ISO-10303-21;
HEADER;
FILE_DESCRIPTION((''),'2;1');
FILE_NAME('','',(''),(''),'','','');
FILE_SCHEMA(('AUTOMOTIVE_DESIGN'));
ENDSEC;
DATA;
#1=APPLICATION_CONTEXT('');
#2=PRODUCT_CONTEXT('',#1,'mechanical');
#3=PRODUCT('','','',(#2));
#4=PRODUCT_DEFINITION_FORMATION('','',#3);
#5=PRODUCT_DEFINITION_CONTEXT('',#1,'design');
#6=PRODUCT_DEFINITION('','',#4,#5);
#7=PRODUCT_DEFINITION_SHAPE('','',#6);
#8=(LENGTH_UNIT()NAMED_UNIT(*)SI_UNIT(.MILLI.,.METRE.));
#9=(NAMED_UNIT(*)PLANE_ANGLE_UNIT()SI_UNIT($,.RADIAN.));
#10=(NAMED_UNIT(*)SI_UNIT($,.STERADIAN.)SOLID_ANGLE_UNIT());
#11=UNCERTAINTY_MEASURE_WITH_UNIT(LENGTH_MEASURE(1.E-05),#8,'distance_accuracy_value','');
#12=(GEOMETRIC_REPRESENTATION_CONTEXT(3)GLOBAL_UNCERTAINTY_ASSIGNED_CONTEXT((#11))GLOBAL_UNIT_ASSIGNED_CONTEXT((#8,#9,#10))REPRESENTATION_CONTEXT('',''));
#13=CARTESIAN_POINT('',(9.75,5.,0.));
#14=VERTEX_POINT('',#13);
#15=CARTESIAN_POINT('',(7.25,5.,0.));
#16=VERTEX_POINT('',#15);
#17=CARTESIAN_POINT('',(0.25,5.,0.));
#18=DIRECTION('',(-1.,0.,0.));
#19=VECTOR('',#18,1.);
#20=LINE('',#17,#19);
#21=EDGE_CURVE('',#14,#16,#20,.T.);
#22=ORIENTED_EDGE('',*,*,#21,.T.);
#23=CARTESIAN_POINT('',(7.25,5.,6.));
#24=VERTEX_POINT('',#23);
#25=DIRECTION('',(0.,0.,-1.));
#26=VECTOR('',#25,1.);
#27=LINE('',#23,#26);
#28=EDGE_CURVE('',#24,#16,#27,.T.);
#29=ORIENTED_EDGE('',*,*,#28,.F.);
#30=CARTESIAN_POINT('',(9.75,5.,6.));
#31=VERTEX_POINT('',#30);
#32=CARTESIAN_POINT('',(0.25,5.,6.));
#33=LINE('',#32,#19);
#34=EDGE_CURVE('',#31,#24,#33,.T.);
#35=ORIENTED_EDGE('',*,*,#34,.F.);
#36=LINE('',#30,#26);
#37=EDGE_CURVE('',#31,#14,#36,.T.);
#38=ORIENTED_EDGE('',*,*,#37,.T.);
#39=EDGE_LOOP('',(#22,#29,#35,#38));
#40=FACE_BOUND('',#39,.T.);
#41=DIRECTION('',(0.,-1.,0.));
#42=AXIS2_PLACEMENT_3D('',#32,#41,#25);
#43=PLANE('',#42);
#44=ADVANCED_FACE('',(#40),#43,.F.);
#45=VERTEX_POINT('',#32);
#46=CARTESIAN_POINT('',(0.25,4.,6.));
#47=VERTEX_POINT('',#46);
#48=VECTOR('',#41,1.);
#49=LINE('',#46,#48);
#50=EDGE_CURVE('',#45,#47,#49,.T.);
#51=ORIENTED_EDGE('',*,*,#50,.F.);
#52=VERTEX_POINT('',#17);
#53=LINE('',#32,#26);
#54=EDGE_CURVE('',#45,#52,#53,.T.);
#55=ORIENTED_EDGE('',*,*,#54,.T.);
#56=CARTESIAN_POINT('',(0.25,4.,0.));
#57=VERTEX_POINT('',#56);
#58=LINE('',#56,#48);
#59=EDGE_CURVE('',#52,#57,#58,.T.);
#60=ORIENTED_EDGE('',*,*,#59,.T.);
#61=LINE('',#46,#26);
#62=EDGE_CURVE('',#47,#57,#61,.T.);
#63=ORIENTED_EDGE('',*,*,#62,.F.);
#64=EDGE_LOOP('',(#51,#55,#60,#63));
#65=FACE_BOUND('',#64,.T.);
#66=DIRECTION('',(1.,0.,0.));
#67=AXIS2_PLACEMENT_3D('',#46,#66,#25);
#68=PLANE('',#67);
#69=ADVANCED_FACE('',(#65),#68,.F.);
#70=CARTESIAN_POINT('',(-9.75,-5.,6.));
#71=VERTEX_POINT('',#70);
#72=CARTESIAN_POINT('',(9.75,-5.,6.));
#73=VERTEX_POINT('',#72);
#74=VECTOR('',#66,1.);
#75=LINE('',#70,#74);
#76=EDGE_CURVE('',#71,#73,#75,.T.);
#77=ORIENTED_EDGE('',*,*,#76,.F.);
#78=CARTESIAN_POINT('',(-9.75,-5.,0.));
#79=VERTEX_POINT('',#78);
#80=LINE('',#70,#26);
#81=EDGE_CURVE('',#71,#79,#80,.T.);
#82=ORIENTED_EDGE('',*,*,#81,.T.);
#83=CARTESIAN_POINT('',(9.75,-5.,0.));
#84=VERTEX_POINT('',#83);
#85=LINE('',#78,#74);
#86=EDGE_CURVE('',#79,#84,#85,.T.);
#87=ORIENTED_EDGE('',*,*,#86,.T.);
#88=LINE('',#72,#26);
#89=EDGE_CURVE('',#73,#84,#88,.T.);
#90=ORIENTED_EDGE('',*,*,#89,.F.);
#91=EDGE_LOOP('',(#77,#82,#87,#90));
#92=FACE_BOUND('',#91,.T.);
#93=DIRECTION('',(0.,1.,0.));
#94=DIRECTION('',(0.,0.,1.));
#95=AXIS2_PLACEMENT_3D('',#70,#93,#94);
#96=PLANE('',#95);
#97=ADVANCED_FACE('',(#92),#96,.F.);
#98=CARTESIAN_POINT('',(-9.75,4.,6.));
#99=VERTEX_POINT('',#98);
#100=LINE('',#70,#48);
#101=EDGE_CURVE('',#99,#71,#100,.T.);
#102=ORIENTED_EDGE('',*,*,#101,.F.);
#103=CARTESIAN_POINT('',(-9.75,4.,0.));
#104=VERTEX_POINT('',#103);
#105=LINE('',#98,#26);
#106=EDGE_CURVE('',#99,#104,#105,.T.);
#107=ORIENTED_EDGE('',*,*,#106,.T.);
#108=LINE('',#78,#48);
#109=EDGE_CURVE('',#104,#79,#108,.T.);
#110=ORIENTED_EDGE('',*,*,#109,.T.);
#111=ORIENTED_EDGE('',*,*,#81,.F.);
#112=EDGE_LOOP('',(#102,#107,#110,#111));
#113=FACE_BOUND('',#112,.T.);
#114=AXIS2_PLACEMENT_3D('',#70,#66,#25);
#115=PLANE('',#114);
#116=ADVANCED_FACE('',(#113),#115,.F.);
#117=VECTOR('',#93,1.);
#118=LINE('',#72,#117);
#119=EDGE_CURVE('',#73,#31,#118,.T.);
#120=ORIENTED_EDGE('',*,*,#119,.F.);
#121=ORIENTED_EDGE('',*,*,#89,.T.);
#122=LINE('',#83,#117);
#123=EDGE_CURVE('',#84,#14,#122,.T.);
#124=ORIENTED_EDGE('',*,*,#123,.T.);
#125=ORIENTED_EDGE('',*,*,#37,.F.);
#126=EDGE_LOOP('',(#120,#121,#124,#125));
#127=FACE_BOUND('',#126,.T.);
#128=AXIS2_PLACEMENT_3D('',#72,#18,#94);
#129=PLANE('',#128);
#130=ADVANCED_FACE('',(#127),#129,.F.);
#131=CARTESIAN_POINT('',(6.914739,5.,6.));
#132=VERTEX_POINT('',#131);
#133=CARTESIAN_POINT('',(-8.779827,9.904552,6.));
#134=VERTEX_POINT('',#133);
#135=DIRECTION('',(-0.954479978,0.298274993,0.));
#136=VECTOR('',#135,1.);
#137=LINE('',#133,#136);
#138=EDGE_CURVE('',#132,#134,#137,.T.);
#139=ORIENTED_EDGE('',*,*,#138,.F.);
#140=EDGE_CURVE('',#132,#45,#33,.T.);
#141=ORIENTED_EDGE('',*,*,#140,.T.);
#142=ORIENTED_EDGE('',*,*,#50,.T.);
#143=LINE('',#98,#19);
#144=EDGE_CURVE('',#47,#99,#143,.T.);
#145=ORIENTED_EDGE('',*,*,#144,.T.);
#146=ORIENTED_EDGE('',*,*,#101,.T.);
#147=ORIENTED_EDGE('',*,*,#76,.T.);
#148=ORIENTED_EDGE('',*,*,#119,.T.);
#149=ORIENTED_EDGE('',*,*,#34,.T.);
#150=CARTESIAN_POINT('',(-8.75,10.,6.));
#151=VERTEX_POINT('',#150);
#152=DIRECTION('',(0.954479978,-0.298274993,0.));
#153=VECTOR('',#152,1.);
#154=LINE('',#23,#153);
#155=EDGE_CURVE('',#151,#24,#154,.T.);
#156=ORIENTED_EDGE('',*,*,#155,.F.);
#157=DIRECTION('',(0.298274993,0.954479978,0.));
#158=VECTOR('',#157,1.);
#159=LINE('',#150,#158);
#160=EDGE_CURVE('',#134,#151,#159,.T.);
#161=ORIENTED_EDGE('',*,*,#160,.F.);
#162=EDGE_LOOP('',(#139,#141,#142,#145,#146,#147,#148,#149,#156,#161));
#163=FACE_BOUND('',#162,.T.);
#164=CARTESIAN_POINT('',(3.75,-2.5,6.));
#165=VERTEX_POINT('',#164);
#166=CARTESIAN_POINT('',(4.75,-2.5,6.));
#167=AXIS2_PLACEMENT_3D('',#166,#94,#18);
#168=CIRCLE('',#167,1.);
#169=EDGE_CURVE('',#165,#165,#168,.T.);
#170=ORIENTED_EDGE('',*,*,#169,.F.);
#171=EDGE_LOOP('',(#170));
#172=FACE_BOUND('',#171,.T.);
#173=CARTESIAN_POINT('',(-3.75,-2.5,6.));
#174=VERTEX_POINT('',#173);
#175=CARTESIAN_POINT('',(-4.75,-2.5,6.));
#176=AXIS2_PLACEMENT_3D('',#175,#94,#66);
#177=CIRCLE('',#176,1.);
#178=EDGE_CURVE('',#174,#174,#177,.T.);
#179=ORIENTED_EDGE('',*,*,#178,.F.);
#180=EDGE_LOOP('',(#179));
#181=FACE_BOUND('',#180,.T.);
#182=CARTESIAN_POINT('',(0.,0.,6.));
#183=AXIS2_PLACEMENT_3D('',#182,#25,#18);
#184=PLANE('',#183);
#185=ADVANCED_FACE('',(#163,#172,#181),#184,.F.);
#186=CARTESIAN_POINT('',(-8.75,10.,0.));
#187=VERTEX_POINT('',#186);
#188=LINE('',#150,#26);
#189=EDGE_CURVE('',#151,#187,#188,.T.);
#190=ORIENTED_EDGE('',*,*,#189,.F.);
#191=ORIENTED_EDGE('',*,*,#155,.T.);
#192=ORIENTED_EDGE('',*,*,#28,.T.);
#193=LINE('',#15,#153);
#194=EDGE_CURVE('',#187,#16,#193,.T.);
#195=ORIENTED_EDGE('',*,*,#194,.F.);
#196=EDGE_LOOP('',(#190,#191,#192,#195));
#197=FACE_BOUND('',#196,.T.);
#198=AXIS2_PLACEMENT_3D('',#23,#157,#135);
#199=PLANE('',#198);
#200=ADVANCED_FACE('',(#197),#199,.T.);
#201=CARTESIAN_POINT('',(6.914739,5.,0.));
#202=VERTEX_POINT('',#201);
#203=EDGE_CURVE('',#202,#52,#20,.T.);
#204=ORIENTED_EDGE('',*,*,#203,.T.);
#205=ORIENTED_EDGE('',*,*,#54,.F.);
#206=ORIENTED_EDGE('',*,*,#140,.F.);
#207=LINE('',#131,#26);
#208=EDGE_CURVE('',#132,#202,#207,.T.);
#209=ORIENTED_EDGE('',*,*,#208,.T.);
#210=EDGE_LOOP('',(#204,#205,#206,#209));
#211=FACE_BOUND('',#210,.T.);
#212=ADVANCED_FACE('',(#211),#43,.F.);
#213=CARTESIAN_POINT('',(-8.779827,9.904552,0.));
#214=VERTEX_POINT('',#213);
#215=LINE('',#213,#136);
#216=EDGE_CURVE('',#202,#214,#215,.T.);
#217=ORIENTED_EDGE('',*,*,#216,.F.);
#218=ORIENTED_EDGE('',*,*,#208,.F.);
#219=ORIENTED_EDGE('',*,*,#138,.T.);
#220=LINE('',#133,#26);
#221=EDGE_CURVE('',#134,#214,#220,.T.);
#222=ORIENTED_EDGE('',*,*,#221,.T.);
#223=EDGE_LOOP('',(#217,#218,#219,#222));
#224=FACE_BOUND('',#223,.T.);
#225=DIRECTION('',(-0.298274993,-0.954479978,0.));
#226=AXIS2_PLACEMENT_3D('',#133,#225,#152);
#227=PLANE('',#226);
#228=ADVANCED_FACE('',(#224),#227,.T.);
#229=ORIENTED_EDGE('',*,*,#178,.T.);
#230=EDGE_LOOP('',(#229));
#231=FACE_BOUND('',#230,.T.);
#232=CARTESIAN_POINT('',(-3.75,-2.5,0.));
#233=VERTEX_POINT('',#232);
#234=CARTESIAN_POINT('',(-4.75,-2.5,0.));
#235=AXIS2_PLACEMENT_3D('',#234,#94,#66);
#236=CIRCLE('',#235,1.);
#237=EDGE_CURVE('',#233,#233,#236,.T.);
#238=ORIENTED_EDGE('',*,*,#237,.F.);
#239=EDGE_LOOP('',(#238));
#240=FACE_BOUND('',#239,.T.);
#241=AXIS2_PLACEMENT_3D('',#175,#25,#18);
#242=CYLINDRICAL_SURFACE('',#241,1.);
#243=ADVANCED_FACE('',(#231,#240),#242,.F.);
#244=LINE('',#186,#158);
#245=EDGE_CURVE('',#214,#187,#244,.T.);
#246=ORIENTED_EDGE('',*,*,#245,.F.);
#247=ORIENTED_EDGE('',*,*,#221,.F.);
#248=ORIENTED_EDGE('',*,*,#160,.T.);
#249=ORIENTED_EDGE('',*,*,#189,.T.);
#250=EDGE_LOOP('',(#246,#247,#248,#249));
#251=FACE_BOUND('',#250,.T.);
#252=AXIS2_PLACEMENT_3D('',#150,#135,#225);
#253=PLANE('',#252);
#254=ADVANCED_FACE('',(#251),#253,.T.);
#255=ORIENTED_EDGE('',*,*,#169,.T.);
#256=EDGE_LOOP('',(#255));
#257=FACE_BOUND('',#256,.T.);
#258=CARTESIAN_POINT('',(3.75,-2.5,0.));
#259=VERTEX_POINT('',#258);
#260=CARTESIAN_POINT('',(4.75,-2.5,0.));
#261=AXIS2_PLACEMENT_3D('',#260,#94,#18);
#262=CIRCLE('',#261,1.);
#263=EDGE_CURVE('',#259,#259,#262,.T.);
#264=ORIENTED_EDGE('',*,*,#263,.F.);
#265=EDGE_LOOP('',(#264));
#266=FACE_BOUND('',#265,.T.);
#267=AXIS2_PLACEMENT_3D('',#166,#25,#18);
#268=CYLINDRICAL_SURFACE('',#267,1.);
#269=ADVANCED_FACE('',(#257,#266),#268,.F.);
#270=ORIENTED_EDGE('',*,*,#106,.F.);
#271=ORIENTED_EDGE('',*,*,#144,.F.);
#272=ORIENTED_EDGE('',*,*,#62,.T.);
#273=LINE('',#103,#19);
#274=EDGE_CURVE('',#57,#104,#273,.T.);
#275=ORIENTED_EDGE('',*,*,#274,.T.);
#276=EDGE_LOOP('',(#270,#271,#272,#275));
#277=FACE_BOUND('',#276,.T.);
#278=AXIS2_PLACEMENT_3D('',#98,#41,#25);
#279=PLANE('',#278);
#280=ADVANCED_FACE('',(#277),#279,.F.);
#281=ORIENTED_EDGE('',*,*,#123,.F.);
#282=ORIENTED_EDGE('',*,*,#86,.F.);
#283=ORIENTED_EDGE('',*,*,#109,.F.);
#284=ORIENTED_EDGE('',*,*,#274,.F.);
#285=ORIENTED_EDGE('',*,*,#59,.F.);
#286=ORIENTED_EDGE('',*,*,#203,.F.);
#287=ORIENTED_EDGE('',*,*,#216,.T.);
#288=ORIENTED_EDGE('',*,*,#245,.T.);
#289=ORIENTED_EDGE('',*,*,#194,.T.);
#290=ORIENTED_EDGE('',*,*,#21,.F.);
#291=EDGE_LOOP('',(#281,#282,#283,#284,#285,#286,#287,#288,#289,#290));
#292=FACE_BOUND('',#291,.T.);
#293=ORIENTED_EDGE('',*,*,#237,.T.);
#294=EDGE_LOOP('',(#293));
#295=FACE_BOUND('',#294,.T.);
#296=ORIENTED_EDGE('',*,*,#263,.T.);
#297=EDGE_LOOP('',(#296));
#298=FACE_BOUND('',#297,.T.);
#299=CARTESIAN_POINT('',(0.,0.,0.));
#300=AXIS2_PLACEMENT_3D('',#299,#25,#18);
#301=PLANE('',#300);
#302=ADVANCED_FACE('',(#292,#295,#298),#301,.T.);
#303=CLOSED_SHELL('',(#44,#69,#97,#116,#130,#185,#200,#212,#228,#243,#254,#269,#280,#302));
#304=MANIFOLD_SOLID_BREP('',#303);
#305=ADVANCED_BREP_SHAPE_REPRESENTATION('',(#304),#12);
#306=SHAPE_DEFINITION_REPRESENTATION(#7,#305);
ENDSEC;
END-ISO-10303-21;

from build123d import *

# Parameters (mm, degrees)
SKETCH1_R           = 1
BOSS_EXTRUDE1_DEPTH = 6
BOSS_EXTRUDE2_DEPTH = 6


with BuildPart() as part:
    # Sketch1 → Boss-Extrude1 (new body)
    with BuildSketch(Plane.XY):
        Polygon((-9.75, 4), (0.25, 4), (0.25, 5), (9.75, 5), (9.75, -5), (-9.75, -5), align=None)
        with Locations((-4.75, -2.5)):
            Circle(SKETCH1_R, mode=Mode.SUBTRACT)
        with Locations(Location((4.75, -2.5, 0), (0, 0, 180))):
            Circle(SKETCH1_R, mode=Mode.SUBTRACT)
    extrude(amount=BOSS_EXTRUDE1_DEPTH)

    # Sketch2 → Boss-Extrude2 (add)
    with BuildSketch(Plane(origin=(0, 0, 0), x_dir=(-1, 0, 0), z_dir=(0, 0, -1))):
        Polygon((-7.25, 5), (8.75, 10), (8.779827499, 9.904552002), (-6.914738908, 5), align=None)
    extrude(amount=-BOSS_EXTRUDE2_DEPTH)


solid = part.part
